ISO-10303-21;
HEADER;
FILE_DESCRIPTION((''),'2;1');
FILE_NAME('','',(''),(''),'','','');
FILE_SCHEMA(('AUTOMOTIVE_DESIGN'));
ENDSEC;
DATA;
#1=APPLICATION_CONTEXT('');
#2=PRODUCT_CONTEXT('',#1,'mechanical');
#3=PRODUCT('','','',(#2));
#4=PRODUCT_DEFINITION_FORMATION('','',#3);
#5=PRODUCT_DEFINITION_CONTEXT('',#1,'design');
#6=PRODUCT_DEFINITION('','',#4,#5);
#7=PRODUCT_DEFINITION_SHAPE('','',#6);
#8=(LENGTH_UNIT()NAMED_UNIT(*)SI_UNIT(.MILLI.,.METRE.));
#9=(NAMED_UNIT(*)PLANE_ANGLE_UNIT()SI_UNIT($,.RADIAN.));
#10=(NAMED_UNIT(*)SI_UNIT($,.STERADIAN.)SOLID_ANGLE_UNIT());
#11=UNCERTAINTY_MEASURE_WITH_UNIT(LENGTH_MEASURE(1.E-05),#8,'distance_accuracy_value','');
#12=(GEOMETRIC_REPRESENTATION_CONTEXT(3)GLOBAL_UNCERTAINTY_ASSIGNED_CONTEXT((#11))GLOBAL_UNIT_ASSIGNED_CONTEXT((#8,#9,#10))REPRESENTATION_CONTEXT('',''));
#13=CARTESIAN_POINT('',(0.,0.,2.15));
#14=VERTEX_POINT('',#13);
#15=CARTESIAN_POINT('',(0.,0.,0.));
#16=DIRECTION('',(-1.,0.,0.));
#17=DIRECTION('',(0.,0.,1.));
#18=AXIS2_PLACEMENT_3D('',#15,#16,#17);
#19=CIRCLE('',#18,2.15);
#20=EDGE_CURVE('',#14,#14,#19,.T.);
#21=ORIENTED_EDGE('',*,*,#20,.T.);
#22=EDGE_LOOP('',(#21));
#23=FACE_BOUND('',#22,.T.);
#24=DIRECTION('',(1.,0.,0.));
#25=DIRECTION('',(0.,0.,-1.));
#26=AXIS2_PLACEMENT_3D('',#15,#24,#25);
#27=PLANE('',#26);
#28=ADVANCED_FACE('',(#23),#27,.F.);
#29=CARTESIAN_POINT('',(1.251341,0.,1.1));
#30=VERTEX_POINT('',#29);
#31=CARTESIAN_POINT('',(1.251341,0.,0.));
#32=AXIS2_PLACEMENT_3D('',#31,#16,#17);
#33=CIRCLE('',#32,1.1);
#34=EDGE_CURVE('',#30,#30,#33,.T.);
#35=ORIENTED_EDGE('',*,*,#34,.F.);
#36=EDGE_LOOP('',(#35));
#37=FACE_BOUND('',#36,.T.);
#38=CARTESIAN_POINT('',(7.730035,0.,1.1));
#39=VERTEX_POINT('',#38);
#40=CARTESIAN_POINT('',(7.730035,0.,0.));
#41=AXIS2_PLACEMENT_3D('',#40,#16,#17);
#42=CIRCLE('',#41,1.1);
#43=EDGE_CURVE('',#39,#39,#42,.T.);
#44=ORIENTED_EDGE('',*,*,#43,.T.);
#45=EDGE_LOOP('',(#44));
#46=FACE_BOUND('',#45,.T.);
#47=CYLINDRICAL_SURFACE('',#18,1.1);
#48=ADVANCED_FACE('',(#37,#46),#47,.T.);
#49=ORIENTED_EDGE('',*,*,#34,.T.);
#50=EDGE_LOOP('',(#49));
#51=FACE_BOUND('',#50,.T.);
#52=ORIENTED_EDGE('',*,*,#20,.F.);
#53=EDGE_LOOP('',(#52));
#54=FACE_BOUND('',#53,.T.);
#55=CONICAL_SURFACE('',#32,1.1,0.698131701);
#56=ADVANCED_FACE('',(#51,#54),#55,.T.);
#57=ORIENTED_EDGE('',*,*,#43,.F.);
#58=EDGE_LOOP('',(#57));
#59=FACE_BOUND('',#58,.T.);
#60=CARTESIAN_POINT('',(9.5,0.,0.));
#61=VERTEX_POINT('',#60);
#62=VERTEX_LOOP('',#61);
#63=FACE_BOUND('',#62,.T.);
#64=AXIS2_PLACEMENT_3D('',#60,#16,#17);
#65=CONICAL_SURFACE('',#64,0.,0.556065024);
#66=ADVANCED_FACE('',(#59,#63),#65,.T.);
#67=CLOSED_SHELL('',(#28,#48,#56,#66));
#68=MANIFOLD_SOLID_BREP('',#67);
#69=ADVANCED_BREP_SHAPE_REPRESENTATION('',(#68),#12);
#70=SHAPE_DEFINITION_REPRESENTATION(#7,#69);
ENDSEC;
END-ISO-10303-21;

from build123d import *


with BuildPart() as part:
    # Skica1 → Rotovat1 (revolve)
    with BuildSketch(Plane.XY, mode=Mode.PRIVATE) as rotovat1_sk:
        Polygon((0, 0), (0, 2.15), (1.251341272, 1.1), (7.730035287, 1.1), (9.5, 0), align=None)
    revolve(rotovat1_sk.sketch.rotate(Axis((0, 0, 0), (1, 0, 0)), 90), axis=Axis((0, 0, 0), (1, 0, 0)))


solid = part.part
